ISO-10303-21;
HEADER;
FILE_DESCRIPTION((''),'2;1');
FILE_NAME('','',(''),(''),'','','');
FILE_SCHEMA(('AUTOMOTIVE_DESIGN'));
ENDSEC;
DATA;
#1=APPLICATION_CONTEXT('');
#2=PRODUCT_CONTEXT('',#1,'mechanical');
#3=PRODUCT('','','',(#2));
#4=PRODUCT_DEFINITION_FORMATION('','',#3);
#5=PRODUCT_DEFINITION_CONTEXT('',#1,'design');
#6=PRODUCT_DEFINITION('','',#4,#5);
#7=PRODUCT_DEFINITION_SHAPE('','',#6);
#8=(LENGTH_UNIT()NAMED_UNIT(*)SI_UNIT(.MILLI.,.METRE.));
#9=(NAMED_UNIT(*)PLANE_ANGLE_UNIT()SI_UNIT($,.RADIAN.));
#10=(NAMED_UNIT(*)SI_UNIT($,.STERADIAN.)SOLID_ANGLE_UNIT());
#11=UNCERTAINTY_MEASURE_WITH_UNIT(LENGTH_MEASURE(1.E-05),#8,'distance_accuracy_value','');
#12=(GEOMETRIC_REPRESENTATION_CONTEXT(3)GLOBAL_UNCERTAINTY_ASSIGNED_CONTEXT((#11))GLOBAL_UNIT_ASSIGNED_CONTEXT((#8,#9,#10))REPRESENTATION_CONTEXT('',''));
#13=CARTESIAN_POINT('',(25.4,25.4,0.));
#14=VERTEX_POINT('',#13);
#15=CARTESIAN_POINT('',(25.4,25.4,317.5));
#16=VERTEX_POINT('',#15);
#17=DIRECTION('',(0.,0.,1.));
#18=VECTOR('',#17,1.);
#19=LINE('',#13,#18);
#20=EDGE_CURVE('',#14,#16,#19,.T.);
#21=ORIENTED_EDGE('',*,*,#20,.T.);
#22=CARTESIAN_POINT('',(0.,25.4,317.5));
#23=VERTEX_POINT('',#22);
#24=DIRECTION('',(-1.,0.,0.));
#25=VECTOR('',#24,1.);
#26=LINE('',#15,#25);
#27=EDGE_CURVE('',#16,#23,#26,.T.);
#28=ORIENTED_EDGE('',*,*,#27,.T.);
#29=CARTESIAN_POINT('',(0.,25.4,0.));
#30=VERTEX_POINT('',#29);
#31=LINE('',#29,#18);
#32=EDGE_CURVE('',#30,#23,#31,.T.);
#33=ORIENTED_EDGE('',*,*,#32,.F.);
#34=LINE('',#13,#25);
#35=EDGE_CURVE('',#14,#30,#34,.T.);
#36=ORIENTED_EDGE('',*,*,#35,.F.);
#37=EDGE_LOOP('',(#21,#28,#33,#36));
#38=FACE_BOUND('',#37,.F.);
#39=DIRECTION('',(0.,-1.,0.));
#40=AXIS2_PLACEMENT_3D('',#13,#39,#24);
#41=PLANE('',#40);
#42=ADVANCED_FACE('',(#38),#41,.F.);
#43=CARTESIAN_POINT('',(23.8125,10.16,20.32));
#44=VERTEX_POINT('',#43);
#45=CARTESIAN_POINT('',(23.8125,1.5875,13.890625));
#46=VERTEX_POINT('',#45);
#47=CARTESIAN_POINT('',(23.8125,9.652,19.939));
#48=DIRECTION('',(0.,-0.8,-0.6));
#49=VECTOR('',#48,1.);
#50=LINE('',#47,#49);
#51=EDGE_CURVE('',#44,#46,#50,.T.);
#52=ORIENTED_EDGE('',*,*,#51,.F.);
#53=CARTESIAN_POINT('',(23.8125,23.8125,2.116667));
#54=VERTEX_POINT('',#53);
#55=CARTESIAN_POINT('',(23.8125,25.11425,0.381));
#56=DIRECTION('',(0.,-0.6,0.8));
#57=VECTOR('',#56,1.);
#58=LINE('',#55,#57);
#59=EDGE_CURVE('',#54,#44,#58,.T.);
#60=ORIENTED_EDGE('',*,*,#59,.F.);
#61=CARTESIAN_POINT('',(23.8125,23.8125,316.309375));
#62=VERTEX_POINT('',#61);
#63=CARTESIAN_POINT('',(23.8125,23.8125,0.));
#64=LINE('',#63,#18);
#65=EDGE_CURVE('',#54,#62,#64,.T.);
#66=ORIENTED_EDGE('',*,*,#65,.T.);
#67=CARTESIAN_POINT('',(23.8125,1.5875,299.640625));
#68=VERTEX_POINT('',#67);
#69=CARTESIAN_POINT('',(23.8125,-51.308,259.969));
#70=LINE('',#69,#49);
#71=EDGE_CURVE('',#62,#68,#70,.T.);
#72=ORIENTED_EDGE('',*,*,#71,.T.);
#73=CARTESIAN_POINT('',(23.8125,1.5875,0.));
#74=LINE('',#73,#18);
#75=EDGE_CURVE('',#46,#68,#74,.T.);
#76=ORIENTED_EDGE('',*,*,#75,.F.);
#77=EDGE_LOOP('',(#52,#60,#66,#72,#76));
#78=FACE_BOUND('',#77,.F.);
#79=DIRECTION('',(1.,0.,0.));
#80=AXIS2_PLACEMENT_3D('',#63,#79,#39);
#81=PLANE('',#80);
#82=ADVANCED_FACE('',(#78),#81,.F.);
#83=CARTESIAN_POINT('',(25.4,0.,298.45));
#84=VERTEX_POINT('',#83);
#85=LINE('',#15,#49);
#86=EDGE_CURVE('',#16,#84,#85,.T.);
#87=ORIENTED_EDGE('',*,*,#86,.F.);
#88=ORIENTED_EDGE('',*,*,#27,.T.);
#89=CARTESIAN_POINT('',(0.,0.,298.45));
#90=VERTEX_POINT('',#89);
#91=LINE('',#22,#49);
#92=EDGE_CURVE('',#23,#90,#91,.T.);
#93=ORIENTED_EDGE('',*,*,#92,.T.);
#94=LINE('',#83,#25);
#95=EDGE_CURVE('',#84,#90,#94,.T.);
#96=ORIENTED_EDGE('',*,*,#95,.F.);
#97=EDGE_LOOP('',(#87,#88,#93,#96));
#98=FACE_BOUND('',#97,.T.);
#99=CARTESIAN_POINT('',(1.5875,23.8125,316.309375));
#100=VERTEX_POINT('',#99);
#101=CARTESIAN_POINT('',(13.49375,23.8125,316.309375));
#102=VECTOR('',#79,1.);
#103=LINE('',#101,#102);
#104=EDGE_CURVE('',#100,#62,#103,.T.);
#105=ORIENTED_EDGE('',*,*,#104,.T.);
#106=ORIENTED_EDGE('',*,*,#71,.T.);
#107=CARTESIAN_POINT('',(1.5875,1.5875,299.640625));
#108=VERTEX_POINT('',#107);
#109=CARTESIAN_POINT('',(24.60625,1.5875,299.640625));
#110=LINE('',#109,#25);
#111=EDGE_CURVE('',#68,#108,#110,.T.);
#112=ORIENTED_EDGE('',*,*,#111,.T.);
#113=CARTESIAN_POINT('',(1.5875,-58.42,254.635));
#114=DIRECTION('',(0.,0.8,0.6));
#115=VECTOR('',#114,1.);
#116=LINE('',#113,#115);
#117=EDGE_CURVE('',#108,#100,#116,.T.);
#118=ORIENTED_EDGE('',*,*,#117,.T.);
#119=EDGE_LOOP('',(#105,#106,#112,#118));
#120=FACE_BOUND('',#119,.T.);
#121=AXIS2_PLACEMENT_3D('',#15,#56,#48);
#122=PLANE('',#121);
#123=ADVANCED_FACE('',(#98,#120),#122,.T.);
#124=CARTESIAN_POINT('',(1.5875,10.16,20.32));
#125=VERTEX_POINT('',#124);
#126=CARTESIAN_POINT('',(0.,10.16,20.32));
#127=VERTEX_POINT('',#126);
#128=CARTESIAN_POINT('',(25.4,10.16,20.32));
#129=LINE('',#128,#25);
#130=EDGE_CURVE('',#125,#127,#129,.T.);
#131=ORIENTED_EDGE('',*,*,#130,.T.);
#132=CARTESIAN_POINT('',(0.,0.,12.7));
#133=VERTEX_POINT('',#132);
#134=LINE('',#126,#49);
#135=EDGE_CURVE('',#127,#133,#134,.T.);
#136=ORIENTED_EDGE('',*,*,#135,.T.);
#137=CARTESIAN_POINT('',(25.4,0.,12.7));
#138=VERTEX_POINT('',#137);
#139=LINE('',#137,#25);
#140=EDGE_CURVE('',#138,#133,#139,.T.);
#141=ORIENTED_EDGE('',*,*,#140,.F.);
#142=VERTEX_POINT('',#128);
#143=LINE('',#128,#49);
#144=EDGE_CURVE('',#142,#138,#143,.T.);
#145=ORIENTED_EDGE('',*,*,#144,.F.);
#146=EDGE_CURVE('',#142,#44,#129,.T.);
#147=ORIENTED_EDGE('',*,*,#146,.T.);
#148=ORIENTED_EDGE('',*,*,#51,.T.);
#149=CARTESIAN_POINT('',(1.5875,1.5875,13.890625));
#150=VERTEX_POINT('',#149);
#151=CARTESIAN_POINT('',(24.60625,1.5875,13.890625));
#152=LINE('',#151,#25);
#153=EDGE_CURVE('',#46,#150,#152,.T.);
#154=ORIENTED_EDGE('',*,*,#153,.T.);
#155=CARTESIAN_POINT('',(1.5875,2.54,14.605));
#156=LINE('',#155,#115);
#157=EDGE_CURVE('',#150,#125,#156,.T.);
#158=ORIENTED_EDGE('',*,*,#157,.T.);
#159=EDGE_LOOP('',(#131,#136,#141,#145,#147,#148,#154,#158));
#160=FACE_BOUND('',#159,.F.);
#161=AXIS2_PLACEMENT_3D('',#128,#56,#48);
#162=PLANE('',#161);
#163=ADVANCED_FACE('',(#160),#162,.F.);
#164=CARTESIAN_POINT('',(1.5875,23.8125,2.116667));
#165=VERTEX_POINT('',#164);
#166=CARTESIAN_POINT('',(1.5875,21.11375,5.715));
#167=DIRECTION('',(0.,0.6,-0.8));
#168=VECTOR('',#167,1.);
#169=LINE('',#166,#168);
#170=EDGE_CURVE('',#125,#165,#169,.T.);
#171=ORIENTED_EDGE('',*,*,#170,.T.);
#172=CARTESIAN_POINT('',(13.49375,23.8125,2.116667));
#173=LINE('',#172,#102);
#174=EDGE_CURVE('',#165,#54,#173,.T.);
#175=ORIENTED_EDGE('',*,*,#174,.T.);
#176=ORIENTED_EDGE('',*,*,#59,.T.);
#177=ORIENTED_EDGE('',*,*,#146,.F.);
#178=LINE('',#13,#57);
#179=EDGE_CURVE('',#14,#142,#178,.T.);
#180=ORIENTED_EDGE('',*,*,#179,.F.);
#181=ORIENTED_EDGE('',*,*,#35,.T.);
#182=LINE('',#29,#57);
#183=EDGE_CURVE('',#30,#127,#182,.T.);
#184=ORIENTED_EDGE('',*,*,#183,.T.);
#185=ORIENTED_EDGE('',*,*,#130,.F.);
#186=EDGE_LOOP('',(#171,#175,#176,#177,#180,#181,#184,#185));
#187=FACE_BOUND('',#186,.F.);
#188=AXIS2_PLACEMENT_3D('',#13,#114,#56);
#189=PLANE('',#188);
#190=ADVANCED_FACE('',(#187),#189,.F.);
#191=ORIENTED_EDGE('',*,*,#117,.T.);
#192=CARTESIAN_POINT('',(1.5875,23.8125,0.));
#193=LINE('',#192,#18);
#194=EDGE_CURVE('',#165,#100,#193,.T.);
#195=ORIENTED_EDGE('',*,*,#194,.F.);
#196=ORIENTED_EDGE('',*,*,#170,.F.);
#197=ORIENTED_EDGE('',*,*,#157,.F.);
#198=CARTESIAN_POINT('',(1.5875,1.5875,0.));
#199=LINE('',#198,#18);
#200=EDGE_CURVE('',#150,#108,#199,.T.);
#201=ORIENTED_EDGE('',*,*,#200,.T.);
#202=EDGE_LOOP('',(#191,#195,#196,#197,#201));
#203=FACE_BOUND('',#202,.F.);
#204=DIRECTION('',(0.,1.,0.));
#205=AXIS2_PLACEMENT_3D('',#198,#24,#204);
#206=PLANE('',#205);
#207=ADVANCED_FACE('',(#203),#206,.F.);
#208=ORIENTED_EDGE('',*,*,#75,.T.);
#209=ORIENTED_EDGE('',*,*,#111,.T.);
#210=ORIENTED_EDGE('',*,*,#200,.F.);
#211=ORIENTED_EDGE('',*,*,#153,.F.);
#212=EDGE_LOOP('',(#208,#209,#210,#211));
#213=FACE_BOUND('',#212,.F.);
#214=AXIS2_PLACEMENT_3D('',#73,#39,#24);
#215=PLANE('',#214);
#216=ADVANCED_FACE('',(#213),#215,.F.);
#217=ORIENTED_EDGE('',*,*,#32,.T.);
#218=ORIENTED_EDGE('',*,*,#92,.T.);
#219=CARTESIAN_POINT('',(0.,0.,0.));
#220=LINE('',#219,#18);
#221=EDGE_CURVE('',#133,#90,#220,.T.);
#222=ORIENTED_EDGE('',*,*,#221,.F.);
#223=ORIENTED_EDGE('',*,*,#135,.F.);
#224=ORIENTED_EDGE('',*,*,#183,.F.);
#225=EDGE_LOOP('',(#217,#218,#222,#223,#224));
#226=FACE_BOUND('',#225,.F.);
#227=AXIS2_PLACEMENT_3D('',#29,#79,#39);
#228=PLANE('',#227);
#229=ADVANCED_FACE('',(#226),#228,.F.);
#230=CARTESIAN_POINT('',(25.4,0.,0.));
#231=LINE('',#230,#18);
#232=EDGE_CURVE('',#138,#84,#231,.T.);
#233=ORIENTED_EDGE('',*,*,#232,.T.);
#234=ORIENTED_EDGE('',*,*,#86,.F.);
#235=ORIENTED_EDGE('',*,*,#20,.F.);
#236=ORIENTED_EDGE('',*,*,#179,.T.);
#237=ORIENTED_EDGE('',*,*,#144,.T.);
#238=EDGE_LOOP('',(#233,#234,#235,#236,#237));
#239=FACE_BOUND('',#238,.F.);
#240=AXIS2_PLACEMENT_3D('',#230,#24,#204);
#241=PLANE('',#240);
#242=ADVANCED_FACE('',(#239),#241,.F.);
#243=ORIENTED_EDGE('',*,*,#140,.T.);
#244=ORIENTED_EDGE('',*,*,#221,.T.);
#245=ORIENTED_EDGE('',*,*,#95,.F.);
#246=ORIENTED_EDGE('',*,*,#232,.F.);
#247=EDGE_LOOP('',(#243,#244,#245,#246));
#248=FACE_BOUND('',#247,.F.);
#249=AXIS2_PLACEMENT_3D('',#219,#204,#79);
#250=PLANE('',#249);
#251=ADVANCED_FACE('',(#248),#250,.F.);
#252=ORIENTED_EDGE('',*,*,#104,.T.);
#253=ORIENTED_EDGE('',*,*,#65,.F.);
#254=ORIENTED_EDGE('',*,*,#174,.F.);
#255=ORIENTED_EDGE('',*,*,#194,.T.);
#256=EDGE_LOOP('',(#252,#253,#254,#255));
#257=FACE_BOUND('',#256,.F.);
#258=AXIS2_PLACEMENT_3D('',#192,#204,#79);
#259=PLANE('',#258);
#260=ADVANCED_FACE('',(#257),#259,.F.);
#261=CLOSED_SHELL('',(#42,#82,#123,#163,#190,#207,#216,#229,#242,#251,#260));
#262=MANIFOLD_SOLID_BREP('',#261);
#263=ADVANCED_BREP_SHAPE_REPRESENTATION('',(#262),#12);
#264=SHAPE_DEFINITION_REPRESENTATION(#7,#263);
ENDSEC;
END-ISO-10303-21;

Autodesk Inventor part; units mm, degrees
ref_plane "YZ Plane" through (0, 0, 0) normal (1, 0, 0) x (0, 1, 0)
ref_plane "XZ Plane" through (0, 0, 0) normal (0, 1, 0) x (-1, 0, 0)
ref_plane "XY Plane" through (0, 0, 0) normal (0, 0, 1) x (1, 0, 0)
sketch "Sketch1" plane through (0, 0, 0) normal (0, 0, 1) x (1, 0, 0)
  line L0 (0, 0) -> (25.4, 0)
  line L1 (25.4, 0) -> (25.4, 25.4)
  line L2 (25.4, 25.4) -> (0, 25.4)
  line L3 (0, 25.4) -> (0, 0)
  line L4 (1.5875, 23.8125) -> (23.8125, 23.8125)
  line L5 (23.8125, 23.8125) -> (23.8125, 1.5875)
  line L6 (23.8125, 1.5875) -> (1.5875, 1.5875)
  line L7 (1.5875, 1.5875) -> (1.5875, 23.8125)
  dimension "d0" = 25.4
  dimension "d1" = 25.4
  dimension "d2" = 1.5875
extrude "Extrusion1" add sketch "Sketch1" along normal blind 317.5
sketch "Sketch2" plane through (25.4, 0, 0) normal (1, 0, 0) x (0, 0, -1)
  line L0 (0, 0) -> (0, 25.4) projected
  line L1 (0, 25.4) -> (0, 0)
  line L2 (0, 25.4) -> (-317.5, 25.4) projected
  line L3 (-317.5, 25.4) -> (-298.45, 0)
  line L4 (-317.5, 23.8125) -> (-317.5, 1.5875) projected
  line L5 (-298.45, 0) -> (-317.5, 0)
  line L6 (-317.5, 0) -> (-317.5, 25.4) projected
  line L7 (-317.5, 25.4) -> (-317.5, 0)
  line L8 (0, 25.4) -> (-20.32, 10.16)
  line L9 (-20.32, 10.16) -> (-12.7, 0)
  line L10 (0, 0) -> (-317.5, 0) projected
  line L11 (-12.7, 0) -> (0, 0)
  dimension "d6" = 36.87
  dimension "d9" = 53.13
  dimension "d10" = 25.4
extrude "Extrusion3" cut sketch "Sketch2" against normal blind 25.4 contours L10 L9 L8 L0 | L3 L5 L6 L4
properties part number "angle support" material "Aluminum 6061"
